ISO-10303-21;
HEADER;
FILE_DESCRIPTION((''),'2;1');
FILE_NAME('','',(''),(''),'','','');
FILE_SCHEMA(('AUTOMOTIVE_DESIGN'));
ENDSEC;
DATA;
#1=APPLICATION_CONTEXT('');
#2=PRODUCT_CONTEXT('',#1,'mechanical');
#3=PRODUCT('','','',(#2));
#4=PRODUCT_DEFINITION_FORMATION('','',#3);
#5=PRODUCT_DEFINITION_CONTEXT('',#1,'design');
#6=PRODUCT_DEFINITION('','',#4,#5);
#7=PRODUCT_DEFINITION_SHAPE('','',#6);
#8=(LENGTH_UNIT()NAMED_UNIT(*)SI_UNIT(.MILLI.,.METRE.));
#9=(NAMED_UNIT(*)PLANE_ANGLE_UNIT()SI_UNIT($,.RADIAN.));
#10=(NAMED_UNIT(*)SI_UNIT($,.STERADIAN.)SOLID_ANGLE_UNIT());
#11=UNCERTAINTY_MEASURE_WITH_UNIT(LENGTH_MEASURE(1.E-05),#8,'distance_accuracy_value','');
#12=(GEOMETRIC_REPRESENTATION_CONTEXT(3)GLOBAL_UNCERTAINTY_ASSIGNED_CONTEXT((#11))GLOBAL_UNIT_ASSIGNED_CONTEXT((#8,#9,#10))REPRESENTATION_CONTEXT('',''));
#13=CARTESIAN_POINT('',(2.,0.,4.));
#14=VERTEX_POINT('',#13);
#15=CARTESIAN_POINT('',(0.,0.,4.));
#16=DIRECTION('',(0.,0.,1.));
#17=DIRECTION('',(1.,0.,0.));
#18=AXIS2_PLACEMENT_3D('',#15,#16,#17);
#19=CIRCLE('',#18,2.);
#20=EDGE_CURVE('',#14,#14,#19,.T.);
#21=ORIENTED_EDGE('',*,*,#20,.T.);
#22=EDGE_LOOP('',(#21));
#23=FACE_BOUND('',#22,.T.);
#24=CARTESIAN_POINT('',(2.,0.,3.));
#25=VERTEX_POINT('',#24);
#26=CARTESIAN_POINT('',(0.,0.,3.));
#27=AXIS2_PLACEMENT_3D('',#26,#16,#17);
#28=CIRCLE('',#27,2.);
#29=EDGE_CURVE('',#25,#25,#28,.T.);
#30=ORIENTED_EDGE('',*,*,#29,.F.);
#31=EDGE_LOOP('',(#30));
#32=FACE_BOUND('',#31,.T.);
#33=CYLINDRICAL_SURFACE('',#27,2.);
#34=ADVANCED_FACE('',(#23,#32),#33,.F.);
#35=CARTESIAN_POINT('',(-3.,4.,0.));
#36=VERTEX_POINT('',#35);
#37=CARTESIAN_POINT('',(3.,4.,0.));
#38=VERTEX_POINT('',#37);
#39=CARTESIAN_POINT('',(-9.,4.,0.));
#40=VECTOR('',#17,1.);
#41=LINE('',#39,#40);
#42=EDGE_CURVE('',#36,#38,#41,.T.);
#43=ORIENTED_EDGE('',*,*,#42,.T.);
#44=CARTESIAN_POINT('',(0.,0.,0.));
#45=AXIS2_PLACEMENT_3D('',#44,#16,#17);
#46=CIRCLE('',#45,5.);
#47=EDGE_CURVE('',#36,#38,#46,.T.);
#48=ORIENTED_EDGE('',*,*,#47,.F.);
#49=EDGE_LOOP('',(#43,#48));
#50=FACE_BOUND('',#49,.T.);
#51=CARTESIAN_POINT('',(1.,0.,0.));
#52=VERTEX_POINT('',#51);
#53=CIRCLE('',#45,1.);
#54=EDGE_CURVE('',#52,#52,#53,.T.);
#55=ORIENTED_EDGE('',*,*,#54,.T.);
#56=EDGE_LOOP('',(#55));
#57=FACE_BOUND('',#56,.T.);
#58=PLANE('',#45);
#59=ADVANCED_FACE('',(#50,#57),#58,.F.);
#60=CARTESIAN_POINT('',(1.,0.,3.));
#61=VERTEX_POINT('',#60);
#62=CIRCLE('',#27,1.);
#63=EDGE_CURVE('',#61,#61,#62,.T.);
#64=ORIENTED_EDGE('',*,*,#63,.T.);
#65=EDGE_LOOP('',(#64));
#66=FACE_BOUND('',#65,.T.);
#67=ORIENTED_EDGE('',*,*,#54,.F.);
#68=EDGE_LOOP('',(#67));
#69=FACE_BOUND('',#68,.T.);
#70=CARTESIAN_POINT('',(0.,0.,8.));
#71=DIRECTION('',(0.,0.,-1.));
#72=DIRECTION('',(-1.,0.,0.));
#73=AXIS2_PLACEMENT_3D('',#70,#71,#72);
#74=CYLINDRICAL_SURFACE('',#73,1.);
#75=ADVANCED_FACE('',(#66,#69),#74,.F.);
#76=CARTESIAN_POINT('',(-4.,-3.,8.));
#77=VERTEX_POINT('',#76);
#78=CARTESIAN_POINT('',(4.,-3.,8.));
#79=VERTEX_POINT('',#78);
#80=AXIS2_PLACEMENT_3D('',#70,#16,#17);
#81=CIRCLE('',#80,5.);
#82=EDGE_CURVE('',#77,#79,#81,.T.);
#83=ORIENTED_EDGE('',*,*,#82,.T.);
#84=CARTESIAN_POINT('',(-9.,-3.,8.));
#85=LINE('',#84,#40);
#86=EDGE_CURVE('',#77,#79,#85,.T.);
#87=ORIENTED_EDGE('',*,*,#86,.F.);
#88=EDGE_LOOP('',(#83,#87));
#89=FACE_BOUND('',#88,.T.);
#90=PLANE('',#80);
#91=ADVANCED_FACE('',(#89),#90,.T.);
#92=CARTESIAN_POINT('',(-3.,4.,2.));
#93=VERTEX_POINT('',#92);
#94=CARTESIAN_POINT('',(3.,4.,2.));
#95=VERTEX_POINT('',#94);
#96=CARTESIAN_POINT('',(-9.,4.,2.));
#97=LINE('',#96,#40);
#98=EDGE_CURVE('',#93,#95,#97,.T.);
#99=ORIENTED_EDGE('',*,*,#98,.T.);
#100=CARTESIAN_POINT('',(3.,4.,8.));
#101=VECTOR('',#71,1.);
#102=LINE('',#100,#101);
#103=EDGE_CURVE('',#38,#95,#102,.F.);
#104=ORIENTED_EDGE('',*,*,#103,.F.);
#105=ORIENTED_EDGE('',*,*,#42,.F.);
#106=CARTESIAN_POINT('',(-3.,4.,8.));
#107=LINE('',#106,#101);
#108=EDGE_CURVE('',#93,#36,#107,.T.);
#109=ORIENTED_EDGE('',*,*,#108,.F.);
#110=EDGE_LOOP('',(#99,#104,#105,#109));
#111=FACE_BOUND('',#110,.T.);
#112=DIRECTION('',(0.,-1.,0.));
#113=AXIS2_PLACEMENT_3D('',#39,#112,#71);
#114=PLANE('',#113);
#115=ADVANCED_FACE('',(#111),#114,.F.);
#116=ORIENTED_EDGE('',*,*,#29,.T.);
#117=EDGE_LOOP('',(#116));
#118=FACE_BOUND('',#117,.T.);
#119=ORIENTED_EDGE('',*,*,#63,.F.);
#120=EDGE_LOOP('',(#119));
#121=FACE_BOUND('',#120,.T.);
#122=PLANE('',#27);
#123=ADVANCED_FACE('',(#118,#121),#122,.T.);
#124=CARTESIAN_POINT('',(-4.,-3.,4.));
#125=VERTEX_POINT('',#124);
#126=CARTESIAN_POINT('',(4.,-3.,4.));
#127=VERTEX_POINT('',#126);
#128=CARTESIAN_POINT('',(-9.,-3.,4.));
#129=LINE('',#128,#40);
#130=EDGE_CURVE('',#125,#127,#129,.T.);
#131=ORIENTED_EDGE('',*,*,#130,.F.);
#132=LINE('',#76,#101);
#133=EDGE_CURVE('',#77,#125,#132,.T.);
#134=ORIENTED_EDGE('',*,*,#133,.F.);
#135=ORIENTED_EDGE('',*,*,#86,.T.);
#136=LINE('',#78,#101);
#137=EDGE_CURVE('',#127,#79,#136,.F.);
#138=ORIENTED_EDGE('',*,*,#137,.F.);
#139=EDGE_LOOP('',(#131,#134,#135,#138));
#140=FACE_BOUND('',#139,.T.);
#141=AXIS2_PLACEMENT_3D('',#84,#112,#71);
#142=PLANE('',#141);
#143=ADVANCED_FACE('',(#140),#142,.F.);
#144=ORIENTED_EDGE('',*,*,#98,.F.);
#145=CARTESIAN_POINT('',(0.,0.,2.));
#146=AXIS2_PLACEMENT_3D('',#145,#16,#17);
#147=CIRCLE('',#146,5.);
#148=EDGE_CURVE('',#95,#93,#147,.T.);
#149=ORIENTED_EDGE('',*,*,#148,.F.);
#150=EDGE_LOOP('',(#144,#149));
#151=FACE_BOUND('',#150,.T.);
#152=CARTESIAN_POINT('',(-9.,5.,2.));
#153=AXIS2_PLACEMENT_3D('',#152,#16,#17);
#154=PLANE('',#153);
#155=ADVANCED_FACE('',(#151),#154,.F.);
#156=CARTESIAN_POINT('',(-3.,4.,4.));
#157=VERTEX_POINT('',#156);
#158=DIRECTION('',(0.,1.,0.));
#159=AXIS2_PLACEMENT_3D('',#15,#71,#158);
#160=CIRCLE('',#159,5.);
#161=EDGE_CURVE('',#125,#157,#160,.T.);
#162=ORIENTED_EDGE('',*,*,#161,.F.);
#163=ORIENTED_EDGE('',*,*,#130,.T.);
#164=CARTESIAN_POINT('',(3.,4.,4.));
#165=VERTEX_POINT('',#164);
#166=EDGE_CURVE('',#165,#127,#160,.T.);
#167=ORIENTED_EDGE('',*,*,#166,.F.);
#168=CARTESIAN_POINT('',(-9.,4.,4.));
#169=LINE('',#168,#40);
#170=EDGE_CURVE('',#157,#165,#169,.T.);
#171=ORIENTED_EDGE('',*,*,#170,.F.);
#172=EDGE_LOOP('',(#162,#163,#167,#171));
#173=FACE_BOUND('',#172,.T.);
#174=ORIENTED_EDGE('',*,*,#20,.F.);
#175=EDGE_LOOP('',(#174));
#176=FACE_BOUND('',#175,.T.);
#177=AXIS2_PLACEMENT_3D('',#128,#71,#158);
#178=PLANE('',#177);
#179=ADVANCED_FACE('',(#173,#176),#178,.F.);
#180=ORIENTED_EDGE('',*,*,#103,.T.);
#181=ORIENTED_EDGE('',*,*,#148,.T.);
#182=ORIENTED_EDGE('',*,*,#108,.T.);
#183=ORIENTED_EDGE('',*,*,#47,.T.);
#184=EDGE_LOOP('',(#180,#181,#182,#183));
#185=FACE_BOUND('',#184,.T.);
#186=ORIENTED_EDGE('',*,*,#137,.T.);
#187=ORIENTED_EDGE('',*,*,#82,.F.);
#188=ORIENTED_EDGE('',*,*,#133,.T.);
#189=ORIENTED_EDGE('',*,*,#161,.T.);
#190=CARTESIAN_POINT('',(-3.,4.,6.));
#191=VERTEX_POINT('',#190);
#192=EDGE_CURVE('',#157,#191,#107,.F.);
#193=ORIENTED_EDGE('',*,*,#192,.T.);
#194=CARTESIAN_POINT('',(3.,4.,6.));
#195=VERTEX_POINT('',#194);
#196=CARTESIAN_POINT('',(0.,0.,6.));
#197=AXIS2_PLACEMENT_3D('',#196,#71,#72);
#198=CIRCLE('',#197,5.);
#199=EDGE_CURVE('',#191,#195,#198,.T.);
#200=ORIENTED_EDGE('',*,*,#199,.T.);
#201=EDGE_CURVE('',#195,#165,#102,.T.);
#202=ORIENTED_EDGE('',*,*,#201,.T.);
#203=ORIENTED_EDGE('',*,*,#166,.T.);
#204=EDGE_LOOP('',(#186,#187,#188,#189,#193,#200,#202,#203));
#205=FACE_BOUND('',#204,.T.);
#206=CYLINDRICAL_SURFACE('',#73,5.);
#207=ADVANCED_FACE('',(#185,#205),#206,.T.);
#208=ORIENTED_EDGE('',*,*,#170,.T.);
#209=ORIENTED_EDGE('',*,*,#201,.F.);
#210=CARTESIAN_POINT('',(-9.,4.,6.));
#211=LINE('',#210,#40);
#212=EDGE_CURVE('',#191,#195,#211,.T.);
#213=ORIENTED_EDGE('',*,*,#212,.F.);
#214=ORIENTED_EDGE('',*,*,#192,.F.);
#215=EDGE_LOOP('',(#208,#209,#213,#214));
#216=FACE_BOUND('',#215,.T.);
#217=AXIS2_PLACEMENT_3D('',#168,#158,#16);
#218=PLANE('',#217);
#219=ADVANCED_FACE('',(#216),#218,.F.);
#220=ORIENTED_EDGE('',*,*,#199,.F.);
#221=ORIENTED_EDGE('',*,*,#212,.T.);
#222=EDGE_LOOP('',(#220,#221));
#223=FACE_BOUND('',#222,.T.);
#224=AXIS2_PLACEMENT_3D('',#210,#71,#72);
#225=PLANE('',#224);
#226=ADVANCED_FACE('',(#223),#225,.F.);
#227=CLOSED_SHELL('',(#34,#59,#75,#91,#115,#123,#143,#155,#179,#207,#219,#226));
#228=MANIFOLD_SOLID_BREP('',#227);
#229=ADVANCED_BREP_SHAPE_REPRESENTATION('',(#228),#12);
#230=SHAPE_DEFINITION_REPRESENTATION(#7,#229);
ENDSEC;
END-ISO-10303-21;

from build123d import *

# Parameters (mm, degrees)
SKETCH1_R           = 5
SKETCH1_R_2         = 1
BOSS_EXTRUDE1_DEPTH = 8
SKETCH2_W           = 2
SKETCH2_H           = 1
CUT_EXTRUDE1_DEPTH  = 9
SKETCH3_R           = 2
CUT_EXTRUDE2_DEPTH  = 1


with BuildPart() as part:
    # Sketch1 → Boss-Extrude1 (new body)
    with BuildSketch(Plane.XY):
        Circle(SKETCH1_R)
        Circle(SKETCH1_R_2, mode=Mode.SUBTRACT)
    extrude(amount=BOSS_EXTRUDE1_DEPTH)

    # Sketch2 → Cut-Extrude1 (cut, symmetric)
    with BuildSketch(Plane(origin=(0, 0, 0), x_dir=(0, 0, -1), z_dir=(1, 0, 0))):
        Polygon((-8, -3), (-4, -3), (-4, 4), (-6, 4), (-6, 5), (-8, 5), align=None)
        with Locations((-1, 4.5)):
            Rectangle(SKETCH2_W, SKETCH2_H)
    extrude(amount=CUT_EXTRUDE1_DEPTH, both=True, mode=Mode.SUBTRACT)

    # Sketch3 → Cut-Extrude2 (cut)
    with BuildSketch(Plane.XY.offset(4)):
        Circle(SKETCH3_R)
    extrude(amount=-CUT_EXTRUDE2_DEPTH, mode=Mode.SUBTRACT)


solid = part.part
